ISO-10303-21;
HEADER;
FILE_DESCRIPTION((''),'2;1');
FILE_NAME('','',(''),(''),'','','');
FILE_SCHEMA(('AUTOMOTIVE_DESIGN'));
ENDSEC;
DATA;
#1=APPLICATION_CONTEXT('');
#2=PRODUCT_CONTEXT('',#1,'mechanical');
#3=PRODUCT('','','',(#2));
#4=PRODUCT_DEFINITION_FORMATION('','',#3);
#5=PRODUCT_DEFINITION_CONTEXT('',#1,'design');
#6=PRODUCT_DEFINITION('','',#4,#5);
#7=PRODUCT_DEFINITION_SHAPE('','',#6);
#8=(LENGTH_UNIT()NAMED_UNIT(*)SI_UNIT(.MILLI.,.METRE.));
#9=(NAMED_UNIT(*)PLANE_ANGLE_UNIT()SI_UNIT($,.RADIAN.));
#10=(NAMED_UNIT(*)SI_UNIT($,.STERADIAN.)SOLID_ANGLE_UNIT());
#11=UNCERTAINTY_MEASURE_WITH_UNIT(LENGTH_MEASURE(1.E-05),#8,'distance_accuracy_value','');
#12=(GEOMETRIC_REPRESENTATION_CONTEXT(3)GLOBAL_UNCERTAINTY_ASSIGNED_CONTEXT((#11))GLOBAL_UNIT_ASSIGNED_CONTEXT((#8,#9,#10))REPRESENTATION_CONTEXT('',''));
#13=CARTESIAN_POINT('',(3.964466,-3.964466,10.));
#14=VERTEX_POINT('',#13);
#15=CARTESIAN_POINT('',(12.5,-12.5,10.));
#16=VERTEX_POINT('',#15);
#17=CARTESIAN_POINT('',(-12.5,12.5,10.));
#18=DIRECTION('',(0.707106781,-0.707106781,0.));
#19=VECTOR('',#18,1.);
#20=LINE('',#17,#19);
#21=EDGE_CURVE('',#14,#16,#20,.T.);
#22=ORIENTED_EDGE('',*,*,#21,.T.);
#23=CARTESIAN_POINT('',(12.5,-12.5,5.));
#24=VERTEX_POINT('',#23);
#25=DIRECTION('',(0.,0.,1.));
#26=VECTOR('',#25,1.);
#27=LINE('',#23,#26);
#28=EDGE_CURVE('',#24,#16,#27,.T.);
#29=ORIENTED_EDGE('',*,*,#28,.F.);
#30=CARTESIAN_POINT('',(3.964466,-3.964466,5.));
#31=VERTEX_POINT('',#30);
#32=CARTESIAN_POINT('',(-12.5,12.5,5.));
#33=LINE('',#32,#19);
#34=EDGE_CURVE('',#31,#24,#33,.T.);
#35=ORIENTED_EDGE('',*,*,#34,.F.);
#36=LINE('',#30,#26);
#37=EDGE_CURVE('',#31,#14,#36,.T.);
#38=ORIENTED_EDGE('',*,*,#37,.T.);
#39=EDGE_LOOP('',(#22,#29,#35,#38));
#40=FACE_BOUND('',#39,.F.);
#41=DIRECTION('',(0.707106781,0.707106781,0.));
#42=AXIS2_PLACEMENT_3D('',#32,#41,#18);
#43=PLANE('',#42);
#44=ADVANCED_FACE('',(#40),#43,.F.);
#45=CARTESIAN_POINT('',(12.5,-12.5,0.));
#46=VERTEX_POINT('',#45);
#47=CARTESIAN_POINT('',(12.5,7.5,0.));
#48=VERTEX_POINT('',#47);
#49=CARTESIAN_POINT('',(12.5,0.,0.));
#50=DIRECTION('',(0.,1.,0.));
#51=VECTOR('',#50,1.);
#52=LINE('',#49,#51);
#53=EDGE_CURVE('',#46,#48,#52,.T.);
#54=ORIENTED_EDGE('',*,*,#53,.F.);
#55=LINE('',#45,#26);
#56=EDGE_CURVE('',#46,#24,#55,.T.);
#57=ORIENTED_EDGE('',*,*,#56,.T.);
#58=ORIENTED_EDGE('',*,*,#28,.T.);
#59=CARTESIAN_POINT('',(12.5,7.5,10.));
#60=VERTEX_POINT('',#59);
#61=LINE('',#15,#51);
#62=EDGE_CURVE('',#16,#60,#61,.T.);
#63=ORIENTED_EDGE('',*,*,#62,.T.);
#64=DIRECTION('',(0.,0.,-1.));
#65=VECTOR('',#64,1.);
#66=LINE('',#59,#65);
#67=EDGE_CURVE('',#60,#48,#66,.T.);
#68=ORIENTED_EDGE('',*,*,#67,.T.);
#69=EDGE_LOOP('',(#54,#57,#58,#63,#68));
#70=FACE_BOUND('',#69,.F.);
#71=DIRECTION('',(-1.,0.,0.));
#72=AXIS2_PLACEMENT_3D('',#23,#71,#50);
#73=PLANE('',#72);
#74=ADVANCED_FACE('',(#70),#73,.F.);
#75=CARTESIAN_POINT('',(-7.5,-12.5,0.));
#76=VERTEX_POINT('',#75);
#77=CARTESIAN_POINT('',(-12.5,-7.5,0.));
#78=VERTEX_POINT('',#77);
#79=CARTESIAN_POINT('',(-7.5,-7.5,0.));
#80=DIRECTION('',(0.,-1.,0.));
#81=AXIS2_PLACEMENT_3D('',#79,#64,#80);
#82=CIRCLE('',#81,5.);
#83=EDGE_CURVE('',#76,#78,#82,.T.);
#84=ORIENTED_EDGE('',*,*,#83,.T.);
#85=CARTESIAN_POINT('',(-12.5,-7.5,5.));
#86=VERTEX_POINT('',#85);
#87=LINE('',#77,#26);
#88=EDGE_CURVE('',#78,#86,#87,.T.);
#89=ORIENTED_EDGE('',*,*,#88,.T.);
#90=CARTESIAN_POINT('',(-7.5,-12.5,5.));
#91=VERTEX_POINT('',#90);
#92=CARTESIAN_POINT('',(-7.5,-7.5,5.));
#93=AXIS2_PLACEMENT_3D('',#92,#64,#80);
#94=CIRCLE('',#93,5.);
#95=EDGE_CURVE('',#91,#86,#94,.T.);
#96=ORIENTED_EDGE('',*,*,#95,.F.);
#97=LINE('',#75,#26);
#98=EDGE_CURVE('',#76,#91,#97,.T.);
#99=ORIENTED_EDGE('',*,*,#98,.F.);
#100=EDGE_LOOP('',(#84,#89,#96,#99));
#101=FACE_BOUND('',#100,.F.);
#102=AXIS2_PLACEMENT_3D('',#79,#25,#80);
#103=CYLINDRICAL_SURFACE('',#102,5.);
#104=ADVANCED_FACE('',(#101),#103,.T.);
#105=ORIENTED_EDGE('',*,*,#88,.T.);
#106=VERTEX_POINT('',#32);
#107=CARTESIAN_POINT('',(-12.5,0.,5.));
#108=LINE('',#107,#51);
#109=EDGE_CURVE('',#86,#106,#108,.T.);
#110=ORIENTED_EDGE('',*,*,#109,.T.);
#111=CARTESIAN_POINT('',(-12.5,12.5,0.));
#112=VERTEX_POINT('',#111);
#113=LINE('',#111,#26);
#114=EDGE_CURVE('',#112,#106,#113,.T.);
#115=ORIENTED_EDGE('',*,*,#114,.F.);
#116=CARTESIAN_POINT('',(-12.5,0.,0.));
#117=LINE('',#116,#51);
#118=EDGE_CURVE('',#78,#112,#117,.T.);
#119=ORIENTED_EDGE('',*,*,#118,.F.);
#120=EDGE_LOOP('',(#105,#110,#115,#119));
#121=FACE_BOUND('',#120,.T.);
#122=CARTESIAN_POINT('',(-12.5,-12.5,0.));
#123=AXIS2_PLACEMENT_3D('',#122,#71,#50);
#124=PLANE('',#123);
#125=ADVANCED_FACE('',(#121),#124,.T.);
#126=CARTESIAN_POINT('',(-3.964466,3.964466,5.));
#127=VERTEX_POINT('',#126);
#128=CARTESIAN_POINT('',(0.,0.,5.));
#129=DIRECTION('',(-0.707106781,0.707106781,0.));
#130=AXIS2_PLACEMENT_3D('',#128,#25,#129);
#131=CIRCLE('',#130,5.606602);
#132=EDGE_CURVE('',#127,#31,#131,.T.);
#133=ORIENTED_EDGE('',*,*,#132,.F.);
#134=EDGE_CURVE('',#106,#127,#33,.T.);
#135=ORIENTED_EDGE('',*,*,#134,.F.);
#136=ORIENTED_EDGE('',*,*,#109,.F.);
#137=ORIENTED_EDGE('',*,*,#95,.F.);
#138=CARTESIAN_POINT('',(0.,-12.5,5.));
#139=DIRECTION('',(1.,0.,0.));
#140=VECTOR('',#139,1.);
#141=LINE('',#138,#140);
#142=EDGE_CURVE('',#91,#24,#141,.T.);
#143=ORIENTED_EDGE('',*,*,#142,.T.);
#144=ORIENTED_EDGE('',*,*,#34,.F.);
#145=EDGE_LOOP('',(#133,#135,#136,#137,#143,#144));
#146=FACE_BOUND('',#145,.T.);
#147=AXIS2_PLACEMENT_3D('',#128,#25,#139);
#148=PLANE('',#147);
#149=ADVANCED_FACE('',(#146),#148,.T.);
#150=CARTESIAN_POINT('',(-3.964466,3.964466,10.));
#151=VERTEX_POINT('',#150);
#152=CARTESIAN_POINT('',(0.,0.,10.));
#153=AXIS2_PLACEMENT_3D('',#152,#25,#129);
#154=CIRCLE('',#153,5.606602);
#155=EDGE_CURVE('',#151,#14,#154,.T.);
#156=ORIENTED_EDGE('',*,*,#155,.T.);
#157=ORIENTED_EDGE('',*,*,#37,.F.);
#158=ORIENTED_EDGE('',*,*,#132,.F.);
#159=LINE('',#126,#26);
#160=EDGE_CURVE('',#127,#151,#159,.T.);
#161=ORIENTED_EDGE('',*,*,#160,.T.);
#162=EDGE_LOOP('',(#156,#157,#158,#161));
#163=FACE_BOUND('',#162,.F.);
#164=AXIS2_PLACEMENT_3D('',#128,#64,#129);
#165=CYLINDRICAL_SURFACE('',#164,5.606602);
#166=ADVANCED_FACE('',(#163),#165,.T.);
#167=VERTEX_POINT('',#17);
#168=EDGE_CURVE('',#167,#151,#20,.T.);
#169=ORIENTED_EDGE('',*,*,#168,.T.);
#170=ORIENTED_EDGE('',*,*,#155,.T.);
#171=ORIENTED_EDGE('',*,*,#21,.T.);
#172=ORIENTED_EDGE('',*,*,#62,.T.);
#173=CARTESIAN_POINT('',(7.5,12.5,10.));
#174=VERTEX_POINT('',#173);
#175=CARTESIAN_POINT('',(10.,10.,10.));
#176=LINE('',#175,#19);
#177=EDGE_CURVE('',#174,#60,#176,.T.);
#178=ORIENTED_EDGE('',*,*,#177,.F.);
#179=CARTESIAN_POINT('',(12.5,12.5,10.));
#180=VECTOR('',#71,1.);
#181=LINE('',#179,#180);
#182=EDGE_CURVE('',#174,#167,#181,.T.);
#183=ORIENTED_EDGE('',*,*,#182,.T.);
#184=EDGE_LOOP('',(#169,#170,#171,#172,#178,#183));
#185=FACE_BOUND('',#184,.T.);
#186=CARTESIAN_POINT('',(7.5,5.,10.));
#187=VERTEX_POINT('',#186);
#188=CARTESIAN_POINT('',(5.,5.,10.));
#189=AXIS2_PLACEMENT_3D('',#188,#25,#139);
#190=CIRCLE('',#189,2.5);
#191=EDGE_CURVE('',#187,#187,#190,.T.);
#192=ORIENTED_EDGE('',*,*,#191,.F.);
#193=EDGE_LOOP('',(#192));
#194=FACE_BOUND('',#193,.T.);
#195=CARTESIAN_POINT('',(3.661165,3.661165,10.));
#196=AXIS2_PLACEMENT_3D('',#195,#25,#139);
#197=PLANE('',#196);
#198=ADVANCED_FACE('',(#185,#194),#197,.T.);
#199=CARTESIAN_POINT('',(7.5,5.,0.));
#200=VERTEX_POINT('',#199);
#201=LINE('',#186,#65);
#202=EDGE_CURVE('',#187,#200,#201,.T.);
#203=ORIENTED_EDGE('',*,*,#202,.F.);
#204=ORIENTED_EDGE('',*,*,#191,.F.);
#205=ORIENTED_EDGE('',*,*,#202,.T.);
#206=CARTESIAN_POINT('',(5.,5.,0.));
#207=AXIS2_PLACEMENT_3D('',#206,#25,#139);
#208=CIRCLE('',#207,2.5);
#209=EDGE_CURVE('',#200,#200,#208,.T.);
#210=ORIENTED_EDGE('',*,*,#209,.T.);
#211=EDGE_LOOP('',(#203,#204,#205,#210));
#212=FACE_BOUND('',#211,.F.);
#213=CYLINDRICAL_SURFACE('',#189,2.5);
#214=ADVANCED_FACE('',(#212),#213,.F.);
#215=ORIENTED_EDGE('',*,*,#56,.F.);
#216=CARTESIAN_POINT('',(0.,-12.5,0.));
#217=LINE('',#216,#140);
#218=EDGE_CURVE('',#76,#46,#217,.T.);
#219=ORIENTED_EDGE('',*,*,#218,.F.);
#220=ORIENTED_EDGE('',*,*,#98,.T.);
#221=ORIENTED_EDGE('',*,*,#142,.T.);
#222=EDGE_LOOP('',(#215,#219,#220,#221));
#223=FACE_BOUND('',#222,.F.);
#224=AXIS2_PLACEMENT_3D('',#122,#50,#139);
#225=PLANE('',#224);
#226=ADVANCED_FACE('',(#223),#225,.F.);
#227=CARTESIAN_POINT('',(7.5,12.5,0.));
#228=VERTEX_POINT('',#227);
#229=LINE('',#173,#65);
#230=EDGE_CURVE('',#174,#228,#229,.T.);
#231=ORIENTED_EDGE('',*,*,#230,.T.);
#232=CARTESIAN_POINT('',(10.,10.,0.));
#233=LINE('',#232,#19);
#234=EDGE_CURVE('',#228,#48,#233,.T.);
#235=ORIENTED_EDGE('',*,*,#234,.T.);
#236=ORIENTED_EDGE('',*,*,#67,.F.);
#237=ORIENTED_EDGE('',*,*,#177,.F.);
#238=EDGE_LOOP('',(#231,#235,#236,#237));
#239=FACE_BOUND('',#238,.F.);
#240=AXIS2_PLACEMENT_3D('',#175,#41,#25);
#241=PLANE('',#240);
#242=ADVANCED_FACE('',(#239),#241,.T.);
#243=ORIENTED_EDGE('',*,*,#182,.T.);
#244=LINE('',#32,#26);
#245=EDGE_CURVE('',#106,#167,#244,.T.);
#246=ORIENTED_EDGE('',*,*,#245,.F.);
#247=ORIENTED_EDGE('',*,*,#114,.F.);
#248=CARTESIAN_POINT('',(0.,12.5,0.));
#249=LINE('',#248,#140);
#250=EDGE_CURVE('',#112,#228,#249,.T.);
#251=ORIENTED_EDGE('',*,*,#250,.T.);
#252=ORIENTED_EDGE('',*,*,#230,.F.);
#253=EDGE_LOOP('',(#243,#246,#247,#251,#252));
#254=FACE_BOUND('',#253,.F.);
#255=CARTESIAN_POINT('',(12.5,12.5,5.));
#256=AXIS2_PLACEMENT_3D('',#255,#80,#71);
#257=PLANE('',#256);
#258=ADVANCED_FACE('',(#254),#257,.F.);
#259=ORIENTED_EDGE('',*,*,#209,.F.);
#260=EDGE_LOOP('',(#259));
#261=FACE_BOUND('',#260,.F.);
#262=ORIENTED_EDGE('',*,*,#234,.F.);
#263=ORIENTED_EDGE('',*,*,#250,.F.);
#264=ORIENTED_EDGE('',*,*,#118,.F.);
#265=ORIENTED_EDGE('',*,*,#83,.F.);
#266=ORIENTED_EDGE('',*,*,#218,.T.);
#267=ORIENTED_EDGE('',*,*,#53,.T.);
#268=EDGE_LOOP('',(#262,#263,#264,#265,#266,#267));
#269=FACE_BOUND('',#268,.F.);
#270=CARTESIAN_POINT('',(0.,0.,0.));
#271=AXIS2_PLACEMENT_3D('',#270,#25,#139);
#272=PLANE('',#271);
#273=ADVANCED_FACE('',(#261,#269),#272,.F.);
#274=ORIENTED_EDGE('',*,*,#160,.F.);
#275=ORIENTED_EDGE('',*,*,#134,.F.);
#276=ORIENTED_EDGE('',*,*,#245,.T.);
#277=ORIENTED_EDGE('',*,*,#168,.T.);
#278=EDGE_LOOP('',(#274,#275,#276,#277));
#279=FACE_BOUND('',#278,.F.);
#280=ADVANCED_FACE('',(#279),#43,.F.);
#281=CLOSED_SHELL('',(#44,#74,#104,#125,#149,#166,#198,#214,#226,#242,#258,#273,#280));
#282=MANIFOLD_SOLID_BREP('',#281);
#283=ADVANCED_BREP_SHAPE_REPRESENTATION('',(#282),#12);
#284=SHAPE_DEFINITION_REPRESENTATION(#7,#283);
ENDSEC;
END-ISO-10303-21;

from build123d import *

# Parameters (mm, degrees)
F0_W     = 25
F0_H     = 25
F1_DEPTH = 5
F3_DEPTH = 5
F4_R     = 5
F5_SIZE  = 5
F7_DEPTH = 5
F8_R     = 2.5
F9_DEPTH = 10.001


with BuildPart() as f1:
    # F0 (on Top) → F1 (new body)
    with BuildSketch(Plane.XY):
        Rectangle(F0_W, F0_H)
    extrude(amount=F1_DEPTH)

    # F2 (on face) → F3 (join)
    with BuildSketch(Plane.XY.offset(5)):
        Polygon((12.5, 12.5), (-12.5, 12.5), (12.5, -12.5), align=None)
    extrude(amount=F3_DEPTH)

    # F4
    f4_edges = [f1.edges().sort_by_distance(p)[0] for p in [
        (-12.5, -12.5, 2.5),
    ]]
    fillet(f4_edges, radius=F4_R)

    # F5
    f5_edges = [f1.edges().sort_by_distance(p)[0] for p in [
        (12.5, 12.5, 5),
    ]]
    chamfer(f5_edges, length=F5_SIZE)

    # F6 (on face) → F7 (join)
    with BuildSketch(Plane.XY.offset(5)):
        with BuildLine():
            Line((3.9644660941, -3.9644660941), (-3.9644660941, 3.9644660941))
            ThreePointArc((-3.9644660941, 3.9644660941), (-3.9644660941, -3.9644660941), (3.9644660941, -3.9644660941))
        make_face()
    extrude(amount=F7_DEPTH)

    # F8 (on face) → F9 (cut, through all)
    with BuildSketch(Plane.XY.offset(10)):
        with Locations((5, 5)):
            Circle(F8_R)
    extrude(amount=-F9_DEPTH, mode=Mode.SUBTRACT)


solid = f1.part
